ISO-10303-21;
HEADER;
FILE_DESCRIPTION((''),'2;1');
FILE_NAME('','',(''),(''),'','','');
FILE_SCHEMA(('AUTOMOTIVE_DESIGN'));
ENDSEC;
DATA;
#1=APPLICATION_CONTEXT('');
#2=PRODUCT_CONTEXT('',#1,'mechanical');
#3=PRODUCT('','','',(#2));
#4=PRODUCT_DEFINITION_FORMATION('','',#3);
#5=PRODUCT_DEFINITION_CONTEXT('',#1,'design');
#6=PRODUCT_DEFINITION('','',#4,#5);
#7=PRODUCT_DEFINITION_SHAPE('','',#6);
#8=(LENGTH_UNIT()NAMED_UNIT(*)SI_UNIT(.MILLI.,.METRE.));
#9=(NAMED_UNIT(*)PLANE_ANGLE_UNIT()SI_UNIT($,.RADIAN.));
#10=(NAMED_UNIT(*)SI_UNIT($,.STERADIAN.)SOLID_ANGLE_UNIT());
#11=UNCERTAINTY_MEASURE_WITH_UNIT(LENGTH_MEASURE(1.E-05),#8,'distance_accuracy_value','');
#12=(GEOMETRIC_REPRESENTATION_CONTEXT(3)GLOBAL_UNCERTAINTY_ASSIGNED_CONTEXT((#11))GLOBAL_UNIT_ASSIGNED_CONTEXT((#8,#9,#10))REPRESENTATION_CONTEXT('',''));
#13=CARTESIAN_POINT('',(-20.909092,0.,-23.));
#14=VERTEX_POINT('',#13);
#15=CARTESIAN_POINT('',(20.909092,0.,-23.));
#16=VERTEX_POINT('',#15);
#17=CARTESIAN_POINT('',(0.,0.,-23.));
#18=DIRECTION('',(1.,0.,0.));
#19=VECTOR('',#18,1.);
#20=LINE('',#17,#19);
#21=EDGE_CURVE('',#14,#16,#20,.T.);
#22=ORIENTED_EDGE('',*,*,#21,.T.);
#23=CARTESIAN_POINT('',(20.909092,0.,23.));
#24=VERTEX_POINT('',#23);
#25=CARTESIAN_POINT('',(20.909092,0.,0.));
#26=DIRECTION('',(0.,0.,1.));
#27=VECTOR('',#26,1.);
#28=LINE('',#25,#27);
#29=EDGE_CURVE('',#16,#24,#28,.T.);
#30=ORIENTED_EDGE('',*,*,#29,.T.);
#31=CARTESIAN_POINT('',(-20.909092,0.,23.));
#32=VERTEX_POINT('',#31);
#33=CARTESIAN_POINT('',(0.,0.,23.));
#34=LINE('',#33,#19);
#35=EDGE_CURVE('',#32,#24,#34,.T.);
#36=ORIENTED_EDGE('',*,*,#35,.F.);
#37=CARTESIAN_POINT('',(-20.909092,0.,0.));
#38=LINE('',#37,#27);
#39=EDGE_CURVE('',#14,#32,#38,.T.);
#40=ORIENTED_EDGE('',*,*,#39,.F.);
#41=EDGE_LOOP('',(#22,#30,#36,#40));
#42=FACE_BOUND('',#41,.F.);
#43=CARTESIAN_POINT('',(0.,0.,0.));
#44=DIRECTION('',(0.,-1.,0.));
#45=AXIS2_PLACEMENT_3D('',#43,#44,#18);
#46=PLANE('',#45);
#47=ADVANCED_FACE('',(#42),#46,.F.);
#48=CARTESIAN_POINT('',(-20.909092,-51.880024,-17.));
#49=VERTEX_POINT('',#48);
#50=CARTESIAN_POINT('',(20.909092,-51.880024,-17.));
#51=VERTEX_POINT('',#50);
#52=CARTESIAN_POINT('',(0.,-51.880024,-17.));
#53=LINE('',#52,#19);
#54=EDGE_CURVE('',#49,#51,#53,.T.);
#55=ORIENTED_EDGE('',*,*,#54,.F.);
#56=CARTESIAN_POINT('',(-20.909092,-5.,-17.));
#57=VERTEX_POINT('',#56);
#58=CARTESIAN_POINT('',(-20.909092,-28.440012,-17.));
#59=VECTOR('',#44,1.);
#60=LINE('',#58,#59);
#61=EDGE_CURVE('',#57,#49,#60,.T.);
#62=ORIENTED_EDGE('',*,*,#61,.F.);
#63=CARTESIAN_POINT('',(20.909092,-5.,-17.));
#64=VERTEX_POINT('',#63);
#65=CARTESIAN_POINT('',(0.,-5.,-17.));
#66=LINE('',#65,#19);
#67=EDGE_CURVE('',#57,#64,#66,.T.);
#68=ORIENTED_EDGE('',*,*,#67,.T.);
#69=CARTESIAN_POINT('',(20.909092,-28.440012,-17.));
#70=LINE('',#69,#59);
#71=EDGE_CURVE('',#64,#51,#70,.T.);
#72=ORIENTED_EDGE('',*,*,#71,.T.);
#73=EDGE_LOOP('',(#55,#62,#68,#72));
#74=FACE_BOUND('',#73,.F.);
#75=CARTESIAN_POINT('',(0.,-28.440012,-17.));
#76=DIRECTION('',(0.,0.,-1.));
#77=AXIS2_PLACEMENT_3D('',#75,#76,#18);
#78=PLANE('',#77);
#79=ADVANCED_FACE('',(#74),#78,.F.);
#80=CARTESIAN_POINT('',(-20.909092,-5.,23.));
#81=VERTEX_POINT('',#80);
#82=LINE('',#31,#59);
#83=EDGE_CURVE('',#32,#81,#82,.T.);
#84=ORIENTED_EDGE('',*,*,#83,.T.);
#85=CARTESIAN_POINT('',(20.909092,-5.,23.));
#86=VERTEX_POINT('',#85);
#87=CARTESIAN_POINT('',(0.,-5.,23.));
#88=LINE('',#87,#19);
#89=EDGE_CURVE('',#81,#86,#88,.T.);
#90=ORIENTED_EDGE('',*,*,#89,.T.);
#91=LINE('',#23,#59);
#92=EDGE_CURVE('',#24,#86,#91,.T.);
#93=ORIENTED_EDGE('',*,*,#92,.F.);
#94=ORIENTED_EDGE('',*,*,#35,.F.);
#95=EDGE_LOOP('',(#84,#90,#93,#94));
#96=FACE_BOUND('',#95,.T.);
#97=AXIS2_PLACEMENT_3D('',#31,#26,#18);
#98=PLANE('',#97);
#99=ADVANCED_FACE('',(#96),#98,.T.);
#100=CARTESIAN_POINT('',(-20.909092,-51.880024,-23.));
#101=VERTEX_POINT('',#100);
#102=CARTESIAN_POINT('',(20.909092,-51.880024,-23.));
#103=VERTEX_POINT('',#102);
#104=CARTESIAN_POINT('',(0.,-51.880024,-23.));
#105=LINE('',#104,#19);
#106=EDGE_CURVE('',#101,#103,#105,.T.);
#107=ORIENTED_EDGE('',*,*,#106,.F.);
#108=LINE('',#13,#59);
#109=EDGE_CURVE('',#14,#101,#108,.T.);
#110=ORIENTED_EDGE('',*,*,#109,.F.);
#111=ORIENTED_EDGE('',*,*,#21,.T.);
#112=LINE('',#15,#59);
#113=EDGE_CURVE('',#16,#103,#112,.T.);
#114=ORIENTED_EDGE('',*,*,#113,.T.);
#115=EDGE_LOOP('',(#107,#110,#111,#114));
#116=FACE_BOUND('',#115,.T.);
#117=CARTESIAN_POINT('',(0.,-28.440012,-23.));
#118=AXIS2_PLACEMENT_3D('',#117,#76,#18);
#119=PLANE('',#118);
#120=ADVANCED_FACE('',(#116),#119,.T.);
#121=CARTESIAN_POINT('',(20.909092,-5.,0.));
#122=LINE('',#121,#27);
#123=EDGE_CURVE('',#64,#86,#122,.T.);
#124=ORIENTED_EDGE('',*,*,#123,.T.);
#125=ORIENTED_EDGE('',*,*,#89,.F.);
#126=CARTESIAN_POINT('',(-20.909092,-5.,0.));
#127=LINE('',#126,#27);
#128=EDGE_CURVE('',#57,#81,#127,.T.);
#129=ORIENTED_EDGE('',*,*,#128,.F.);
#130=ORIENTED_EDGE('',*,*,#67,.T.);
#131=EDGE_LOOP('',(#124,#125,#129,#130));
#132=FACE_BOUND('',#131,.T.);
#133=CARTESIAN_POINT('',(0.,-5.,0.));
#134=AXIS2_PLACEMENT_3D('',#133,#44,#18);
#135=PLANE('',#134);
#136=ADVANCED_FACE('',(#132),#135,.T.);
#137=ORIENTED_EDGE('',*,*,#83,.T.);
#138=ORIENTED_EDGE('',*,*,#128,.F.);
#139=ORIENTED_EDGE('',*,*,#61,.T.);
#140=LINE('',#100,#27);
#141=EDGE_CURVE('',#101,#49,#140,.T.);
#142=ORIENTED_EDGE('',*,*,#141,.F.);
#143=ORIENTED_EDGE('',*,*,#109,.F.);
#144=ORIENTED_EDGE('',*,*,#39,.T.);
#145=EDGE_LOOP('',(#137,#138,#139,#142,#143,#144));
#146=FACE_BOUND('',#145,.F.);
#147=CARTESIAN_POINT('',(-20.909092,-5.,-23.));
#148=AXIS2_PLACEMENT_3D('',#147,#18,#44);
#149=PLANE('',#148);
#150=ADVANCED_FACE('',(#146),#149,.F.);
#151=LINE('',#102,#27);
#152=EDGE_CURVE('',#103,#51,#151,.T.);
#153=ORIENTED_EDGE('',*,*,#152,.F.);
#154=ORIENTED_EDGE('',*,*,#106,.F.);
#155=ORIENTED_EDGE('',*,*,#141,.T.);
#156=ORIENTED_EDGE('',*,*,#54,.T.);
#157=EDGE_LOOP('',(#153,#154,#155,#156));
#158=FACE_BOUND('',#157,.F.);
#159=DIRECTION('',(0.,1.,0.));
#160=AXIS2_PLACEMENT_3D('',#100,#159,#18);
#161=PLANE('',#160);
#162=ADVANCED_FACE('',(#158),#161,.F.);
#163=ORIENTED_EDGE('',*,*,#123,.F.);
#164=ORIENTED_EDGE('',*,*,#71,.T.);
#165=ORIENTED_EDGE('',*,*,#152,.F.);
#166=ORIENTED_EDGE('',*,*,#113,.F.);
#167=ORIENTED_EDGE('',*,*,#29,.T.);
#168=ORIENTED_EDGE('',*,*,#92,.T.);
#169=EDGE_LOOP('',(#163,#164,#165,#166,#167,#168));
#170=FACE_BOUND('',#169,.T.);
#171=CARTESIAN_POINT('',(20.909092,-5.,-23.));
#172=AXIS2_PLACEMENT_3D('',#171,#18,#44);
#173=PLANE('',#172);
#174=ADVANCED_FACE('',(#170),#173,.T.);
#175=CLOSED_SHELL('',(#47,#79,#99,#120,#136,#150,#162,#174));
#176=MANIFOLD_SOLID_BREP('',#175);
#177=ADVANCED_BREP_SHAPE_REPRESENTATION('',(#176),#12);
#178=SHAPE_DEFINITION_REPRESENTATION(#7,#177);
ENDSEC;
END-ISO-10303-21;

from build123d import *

# Parameters (mm, degrees)
F0_W     = 41.818184
F0_H     = 46
F1_DEPTH = 5
F2_W     = 41.818184
F2_H     = 46.880024
F3_DEPTH = 6


with BuildPart() as f1:
    # F0 (on Front) → F1 (new body)
    with BuildSketch(Plane.XZ):
        Rectangle(F0_W, F0_H)
    extrude(amount=F1_DEPTH)

    # F2 (on face) → F3 (join)
    with BuildSketch(Plane(origin=(0, 0, -23), x_dir=(1, 0, 0), z_dir=(0, 0, -1))):
        with Locations((0, 28.440012)):
            Rectangle(F2_W, F2_H)
    extrude(amount=-F3_DEPTH)


solid = f1.part
